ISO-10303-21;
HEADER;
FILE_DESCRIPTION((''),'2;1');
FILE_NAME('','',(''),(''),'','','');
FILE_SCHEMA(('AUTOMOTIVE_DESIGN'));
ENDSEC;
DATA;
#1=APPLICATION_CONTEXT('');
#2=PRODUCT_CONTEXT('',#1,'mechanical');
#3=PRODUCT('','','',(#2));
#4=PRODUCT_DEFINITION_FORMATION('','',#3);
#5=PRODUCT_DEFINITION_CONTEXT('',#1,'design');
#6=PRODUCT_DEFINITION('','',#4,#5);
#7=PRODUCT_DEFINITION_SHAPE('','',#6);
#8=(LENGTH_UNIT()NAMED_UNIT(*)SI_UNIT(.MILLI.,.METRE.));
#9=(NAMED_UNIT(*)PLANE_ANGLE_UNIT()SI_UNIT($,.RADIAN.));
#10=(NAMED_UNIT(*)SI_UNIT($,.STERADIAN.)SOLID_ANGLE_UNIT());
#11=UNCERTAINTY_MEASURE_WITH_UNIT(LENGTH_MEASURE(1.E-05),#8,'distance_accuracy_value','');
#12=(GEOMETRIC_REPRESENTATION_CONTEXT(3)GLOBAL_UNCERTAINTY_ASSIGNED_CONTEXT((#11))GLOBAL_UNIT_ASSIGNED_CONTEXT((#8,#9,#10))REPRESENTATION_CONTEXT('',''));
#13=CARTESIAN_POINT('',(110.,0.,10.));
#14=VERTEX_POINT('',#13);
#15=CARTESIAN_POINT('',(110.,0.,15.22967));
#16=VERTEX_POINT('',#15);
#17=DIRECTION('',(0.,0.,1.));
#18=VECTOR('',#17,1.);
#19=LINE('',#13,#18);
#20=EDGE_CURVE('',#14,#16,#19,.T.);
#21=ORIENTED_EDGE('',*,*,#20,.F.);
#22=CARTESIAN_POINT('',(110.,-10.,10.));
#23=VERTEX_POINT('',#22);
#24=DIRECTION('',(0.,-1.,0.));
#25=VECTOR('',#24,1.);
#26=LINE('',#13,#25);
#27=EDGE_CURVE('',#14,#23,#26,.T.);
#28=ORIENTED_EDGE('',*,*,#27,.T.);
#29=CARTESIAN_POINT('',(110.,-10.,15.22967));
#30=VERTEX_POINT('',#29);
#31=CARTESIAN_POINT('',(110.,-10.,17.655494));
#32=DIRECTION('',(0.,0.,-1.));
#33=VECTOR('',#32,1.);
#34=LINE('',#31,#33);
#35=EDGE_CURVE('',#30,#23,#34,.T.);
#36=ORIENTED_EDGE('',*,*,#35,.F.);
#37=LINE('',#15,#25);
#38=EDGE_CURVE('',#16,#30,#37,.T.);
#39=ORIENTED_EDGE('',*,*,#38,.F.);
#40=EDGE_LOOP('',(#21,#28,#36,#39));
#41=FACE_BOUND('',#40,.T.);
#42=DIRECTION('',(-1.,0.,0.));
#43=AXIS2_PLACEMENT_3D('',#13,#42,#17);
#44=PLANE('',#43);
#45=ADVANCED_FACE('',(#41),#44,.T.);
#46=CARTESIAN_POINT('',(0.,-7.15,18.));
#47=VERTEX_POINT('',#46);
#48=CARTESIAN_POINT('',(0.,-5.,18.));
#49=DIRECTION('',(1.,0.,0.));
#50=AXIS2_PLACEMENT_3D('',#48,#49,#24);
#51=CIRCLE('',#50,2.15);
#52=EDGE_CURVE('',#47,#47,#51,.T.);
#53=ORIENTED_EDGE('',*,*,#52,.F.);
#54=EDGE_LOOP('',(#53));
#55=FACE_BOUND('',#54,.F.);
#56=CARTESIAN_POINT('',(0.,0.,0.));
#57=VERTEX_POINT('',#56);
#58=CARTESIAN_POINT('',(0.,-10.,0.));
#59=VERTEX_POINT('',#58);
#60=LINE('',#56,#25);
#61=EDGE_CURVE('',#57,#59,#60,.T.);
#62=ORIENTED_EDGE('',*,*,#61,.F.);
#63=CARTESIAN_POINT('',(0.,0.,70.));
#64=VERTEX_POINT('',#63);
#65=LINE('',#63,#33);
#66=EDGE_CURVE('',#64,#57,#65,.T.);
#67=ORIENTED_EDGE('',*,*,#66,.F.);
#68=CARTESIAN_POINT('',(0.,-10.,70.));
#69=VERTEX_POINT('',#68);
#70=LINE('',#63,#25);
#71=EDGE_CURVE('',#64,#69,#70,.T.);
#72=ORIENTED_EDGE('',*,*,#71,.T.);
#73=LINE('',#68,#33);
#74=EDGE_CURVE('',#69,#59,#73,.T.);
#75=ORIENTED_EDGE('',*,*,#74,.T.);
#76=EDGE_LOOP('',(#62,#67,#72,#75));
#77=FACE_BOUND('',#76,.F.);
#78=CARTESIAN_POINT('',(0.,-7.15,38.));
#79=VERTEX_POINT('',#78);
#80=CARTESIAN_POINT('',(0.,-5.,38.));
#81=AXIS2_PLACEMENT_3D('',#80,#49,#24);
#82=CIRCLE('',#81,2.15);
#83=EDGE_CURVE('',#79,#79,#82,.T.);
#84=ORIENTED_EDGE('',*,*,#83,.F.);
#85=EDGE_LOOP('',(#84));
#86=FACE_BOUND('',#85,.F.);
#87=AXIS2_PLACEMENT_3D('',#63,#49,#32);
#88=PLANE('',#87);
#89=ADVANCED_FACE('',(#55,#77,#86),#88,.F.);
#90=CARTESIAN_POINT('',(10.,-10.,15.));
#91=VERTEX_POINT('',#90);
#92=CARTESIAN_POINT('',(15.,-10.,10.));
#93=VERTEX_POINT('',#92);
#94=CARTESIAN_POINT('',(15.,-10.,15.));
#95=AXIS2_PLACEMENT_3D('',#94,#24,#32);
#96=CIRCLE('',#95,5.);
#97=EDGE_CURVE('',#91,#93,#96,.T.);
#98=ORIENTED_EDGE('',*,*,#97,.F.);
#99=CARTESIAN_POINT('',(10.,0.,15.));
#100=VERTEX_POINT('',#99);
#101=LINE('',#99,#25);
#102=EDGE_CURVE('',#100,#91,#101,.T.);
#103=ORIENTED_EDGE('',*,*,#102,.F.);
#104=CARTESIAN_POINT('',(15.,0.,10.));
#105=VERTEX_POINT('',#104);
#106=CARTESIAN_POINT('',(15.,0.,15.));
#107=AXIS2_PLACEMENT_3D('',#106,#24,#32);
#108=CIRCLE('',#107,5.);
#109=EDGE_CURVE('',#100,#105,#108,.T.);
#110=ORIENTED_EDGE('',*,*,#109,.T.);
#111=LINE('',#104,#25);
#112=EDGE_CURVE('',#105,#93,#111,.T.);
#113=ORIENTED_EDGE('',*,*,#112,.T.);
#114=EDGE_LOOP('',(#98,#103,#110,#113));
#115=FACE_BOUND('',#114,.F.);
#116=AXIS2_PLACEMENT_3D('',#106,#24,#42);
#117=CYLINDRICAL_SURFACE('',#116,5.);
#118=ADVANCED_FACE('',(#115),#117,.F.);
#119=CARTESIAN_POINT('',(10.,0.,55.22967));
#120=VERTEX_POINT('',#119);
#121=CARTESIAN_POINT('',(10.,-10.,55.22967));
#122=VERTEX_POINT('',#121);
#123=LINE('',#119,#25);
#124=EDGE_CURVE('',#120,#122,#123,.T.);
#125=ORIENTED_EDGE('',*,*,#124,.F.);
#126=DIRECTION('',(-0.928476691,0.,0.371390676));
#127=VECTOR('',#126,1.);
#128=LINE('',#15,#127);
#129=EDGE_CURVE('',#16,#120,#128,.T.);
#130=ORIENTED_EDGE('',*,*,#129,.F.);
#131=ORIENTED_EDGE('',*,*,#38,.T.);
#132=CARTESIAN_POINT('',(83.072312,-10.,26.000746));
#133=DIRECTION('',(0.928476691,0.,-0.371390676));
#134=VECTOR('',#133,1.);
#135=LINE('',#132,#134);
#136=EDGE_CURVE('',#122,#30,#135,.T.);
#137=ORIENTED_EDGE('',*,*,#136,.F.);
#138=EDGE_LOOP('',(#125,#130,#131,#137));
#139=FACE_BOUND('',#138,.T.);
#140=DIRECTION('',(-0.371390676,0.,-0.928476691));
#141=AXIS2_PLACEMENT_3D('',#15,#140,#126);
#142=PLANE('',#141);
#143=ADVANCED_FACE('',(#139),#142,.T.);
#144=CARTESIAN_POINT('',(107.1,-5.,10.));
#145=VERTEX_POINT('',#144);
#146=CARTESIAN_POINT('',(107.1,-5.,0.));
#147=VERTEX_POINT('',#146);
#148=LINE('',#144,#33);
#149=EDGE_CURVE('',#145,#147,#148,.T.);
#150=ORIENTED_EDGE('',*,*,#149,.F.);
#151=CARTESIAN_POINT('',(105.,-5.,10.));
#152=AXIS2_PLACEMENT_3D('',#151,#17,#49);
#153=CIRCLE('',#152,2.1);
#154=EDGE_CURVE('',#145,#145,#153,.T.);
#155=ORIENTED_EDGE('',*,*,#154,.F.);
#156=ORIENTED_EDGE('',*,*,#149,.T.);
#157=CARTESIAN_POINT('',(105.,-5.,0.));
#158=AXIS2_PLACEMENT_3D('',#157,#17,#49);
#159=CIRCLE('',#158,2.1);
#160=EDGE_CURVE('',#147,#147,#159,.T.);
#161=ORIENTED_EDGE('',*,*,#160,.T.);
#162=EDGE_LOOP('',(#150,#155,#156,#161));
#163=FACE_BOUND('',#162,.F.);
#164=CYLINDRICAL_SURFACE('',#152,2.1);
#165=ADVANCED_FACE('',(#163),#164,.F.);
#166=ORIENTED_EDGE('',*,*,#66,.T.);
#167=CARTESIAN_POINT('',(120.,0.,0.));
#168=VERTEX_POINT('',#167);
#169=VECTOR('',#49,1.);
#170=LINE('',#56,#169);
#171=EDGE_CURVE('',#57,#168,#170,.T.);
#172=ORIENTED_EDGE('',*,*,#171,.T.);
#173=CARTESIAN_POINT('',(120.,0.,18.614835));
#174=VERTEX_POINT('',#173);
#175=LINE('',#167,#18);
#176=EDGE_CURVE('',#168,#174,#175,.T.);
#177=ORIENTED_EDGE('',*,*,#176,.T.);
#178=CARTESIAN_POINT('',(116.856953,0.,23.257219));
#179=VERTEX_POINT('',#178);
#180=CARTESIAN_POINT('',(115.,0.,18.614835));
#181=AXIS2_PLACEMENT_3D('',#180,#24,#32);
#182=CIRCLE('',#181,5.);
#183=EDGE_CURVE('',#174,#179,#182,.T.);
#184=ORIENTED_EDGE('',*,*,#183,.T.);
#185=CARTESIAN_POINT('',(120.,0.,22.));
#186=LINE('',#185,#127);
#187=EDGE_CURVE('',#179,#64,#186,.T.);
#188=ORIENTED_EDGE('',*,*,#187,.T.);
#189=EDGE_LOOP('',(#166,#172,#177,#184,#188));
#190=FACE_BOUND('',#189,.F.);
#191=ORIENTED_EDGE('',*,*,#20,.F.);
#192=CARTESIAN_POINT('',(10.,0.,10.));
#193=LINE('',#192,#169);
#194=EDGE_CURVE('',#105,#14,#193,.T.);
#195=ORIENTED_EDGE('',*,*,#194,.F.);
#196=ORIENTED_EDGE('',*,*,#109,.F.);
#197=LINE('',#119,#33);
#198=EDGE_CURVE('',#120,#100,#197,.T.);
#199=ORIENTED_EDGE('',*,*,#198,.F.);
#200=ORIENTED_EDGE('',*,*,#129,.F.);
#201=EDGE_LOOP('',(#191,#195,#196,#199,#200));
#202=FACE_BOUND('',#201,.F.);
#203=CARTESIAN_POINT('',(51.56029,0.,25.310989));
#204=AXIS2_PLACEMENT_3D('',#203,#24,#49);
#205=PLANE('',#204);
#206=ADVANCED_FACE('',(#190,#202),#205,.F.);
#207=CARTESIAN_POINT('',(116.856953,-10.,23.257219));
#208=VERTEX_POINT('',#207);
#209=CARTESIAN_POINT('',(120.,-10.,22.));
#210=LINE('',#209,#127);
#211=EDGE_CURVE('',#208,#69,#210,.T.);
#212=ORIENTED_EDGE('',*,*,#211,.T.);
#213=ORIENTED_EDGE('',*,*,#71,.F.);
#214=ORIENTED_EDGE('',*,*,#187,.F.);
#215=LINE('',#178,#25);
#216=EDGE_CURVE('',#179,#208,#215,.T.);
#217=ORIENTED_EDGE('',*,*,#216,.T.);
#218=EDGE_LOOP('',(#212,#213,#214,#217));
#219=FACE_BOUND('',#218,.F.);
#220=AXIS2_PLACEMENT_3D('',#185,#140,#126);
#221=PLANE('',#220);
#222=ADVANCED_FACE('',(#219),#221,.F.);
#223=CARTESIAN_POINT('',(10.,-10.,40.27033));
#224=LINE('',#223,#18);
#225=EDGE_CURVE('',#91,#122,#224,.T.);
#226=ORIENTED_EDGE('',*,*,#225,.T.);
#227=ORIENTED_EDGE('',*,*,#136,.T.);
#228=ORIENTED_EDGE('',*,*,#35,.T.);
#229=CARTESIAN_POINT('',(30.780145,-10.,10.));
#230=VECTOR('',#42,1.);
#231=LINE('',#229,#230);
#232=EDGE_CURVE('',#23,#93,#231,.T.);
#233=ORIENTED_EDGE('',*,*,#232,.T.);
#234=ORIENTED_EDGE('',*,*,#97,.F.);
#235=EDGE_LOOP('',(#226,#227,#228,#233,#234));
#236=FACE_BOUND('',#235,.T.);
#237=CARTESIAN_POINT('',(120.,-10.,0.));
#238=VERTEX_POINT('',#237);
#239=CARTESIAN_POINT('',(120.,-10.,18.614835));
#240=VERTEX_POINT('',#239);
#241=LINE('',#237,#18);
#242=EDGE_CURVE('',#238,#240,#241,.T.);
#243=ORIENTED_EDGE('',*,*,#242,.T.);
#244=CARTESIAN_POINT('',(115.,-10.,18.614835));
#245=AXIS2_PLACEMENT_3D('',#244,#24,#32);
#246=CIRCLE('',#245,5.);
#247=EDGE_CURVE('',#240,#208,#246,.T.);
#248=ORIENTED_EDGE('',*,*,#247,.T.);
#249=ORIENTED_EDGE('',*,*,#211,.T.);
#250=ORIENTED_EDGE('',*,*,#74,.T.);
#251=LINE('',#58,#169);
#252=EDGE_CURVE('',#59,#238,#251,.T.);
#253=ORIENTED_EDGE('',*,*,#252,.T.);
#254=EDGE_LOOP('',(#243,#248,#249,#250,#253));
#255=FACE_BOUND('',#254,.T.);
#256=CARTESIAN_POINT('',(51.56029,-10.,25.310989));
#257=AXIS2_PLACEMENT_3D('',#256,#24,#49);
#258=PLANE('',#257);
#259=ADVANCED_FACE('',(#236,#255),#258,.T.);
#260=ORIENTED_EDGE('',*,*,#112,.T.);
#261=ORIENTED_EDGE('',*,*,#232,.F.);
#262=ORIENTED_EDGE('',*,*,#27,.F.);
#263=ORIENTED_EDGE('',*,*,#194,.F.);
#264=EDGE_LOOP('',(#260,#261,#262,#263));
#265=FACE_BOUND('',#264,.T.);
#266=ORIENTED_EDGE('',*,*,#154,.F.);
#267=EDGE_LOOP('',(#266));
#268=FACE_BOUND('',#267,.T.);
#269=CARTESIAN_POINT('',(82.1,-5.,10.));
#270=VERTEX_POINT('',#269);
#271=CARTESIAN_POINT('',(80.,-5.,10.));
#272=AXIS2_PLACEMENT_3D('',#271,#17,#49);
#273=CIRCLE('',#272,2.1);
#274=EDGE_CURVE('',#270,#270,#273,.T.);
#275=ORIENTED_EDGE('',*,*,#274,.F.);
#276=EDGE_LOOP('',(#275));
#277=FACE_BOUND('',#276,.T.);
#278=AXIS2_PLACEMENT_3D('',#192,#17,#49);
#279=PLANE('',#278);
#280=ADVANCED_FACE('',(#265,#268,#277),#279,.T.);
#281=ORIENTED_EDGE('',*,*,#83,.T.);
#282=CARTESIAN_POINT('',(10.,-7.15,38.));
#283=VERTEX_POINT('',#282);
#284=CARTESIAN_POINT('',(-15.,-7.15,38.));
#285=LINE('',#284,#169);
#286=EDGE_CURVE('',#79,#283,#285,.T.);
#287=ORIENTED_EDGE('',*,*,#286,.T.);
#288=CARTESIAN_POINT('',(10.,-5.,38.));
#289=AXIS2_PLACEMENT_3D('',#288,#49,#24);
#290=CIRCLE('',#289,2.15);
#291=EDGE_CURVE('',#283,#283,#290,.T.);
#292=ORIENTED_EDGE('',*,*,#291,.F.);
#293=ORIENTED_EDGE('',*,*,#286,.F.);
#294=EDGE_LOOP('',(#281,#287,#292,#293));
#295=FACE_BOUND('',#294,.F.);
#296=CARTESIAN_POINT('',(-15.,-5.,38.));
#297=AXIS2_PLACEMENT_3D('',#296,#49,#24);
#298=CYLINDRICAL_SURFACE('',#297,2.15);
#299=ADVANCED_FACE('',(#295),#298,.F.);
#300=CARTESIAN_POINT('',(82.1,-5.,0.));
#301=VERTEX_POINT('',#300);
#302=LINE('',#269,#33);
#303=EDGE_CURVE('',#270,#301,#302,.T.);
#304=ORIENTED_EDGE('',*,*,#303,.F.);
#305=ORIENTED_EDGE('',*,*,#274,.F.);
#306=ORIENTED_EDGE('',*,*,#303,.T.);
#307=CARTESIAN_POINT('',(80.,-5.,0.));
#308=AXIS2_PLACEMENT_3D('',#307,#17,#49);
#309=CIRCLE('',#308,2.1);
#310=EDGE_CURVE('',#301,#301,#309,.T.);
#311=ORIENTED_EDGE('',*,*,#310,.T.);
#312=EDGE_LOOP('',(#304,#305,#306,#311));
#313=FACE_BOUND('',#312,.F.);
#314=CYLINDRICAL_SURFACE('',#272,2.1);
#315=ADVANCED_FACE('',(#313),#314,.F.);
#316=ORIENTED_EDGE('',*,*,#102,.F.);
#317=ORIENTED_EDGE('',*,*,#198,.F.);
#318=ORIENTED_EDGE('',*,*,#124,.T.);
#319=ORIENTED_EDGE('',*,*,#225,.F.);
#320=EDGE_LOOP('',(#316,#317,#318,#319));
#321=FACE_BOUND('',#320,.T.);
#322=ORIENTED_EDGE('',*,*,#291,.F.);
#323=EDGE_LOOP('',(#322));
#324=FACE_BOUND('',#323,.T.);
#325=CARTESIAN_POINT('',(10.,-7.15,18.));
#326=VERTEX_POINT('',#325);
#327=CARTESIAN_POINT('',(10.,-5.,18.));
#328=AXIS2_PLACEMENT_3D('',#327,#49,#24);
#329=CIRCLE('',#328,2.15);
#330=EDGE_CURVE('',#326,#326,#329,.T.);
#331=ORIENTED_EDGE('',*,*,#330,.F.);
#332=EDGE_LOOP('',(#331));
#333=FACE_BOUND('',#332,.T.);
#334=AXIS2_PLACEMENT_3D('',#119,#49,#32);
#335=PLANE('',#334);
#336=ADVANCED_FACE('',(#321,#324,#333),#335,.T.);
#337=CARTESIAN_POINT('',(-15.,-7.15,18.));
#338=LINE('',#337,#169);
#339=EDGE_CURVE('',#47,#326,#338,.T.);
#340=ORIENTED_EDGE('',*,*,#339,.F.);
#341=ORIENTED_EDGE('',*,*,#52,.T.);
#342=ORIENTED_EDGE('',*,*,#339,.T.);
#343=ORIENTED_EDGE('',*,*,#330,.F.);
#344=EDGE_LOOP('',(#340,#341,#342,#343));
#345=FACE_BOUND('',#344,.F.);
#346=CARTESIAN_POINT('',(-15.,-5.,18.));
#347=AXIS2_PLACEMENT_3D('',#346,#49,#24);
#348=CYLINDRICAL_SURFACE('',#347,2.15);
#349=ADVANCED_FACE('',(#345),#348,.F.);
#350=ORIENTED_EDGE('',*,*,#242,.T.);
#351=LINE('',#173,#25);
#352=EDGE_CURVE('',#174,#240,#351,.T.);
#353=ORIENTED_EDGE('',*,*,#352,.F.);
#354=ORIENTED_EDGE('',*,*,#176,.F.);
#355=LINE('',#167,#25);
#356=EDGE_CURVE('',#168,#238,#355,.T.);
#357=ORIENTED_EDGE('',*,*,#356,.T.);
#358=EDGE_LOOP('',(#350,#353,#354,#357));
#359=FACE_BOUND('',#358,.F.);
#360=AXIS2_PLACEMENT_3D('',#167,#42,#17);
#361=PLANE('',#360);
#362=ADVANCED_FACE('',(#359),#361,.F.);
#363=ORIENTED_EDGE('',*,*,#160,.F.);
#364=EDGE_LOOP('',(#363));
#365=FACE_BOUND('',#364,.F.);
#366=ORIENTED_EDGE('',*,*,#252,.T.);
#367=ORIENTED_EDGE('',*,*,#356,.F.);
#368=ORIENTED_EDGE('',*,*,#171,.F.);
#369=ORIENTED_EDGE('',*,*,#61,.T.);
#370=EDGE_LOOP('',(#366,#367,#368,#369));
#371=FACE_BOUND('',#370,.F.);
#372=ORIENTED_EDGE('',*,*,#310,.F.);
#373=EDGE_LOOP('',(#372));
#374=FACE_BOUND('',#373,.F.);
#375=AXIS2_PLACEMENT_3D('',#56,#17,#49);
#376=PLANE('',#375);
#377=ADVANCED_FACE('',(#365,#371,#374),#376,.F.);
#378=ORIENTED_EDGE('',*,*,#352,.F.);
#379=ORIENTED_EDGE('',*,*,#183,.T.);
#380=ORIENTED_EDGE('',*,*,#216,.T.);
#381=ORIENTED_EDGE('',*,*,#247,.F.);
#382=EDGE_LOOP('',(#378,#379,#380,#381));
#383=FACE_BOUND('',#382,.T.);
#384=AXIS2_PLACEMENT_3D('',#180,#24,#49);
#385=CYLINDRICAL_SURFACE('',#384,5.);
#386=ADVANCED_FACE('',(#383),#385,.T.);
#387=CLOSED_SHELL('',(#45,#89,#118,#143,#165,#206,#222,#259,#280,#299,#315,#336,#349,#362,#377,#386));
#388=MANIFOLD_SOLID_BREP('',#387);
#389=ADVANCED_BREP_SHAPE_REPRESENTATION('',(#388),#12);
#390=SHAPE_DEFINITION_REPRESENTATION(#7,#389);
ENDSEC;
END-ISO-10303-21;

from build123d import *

# Parameters (mm, degrees)
F1_DEPTH = 10
F2_R     = 5
F4_DEPTH = 10.001
F5_R     = 5
F7_D     = 4.2
F7_DEPTH = 10.001
F9_D     = 4.3
F9_DEPTH = 15
F9_TIP   = 1.2918503309


with BuildPart() as f1:
    # F0 (on Front) → F1 (new body)
    with BuildSketch(Plane.XZ):
        Polygon((0, 70), (0, 0), (120, 0), (120, 22), align=None)
    extrude(amount=F1_DEPTH)

    # F2
    f2_edges = [f1.edges().sort_by_distance(p)[0] for p in [
        (120, -5, 22),
    ]]
    fillet(f2_edges, radius=F2_R)

    # F3 (on Front) → F4 (cut, through all)
    with BuildSketch(Plane.XZ):
        Polygon((10, 55.2296703857), (10, 10), (110, 10), (110, 15.2296703857), align=None)
    extrude(amount=F4_DEPTH, mode=Mode.SUBTRACT)

    # F5
    f5_edges = [f1.edges().sort_by_distance(p)[0] for p in [
        (10, -5, 10),
    ]]
    fillet(f5_edges, radius=F5_R)

    # F7 (through all, one way)
    with BuildSketch(Plane.XY.offset(10)):
        with Locations((80, -5), (105, -5)):
            Circle(F7_D / 2)
    extrude(amount=-F7_DEPTH, mode=Mode.SUBTRACT)

    # F9
    with Locations(Plane(origin=(0, 0, 0), x_dir=(0, 1, 0), z_dir=(-1, 0, 0))):
        with Locations((-5, -38), (-5, -18)):
            Hole(F9_D / 2, depth=F9_DEPTH)
            with Locations((0, 0, -(F9_DEPTH + F9_TIP / 2))):  # 118° drill point
                Cone(0, F9_D / 2, F9_TIP, mode=Mode.SUBTRACT)


solid = f1.part
